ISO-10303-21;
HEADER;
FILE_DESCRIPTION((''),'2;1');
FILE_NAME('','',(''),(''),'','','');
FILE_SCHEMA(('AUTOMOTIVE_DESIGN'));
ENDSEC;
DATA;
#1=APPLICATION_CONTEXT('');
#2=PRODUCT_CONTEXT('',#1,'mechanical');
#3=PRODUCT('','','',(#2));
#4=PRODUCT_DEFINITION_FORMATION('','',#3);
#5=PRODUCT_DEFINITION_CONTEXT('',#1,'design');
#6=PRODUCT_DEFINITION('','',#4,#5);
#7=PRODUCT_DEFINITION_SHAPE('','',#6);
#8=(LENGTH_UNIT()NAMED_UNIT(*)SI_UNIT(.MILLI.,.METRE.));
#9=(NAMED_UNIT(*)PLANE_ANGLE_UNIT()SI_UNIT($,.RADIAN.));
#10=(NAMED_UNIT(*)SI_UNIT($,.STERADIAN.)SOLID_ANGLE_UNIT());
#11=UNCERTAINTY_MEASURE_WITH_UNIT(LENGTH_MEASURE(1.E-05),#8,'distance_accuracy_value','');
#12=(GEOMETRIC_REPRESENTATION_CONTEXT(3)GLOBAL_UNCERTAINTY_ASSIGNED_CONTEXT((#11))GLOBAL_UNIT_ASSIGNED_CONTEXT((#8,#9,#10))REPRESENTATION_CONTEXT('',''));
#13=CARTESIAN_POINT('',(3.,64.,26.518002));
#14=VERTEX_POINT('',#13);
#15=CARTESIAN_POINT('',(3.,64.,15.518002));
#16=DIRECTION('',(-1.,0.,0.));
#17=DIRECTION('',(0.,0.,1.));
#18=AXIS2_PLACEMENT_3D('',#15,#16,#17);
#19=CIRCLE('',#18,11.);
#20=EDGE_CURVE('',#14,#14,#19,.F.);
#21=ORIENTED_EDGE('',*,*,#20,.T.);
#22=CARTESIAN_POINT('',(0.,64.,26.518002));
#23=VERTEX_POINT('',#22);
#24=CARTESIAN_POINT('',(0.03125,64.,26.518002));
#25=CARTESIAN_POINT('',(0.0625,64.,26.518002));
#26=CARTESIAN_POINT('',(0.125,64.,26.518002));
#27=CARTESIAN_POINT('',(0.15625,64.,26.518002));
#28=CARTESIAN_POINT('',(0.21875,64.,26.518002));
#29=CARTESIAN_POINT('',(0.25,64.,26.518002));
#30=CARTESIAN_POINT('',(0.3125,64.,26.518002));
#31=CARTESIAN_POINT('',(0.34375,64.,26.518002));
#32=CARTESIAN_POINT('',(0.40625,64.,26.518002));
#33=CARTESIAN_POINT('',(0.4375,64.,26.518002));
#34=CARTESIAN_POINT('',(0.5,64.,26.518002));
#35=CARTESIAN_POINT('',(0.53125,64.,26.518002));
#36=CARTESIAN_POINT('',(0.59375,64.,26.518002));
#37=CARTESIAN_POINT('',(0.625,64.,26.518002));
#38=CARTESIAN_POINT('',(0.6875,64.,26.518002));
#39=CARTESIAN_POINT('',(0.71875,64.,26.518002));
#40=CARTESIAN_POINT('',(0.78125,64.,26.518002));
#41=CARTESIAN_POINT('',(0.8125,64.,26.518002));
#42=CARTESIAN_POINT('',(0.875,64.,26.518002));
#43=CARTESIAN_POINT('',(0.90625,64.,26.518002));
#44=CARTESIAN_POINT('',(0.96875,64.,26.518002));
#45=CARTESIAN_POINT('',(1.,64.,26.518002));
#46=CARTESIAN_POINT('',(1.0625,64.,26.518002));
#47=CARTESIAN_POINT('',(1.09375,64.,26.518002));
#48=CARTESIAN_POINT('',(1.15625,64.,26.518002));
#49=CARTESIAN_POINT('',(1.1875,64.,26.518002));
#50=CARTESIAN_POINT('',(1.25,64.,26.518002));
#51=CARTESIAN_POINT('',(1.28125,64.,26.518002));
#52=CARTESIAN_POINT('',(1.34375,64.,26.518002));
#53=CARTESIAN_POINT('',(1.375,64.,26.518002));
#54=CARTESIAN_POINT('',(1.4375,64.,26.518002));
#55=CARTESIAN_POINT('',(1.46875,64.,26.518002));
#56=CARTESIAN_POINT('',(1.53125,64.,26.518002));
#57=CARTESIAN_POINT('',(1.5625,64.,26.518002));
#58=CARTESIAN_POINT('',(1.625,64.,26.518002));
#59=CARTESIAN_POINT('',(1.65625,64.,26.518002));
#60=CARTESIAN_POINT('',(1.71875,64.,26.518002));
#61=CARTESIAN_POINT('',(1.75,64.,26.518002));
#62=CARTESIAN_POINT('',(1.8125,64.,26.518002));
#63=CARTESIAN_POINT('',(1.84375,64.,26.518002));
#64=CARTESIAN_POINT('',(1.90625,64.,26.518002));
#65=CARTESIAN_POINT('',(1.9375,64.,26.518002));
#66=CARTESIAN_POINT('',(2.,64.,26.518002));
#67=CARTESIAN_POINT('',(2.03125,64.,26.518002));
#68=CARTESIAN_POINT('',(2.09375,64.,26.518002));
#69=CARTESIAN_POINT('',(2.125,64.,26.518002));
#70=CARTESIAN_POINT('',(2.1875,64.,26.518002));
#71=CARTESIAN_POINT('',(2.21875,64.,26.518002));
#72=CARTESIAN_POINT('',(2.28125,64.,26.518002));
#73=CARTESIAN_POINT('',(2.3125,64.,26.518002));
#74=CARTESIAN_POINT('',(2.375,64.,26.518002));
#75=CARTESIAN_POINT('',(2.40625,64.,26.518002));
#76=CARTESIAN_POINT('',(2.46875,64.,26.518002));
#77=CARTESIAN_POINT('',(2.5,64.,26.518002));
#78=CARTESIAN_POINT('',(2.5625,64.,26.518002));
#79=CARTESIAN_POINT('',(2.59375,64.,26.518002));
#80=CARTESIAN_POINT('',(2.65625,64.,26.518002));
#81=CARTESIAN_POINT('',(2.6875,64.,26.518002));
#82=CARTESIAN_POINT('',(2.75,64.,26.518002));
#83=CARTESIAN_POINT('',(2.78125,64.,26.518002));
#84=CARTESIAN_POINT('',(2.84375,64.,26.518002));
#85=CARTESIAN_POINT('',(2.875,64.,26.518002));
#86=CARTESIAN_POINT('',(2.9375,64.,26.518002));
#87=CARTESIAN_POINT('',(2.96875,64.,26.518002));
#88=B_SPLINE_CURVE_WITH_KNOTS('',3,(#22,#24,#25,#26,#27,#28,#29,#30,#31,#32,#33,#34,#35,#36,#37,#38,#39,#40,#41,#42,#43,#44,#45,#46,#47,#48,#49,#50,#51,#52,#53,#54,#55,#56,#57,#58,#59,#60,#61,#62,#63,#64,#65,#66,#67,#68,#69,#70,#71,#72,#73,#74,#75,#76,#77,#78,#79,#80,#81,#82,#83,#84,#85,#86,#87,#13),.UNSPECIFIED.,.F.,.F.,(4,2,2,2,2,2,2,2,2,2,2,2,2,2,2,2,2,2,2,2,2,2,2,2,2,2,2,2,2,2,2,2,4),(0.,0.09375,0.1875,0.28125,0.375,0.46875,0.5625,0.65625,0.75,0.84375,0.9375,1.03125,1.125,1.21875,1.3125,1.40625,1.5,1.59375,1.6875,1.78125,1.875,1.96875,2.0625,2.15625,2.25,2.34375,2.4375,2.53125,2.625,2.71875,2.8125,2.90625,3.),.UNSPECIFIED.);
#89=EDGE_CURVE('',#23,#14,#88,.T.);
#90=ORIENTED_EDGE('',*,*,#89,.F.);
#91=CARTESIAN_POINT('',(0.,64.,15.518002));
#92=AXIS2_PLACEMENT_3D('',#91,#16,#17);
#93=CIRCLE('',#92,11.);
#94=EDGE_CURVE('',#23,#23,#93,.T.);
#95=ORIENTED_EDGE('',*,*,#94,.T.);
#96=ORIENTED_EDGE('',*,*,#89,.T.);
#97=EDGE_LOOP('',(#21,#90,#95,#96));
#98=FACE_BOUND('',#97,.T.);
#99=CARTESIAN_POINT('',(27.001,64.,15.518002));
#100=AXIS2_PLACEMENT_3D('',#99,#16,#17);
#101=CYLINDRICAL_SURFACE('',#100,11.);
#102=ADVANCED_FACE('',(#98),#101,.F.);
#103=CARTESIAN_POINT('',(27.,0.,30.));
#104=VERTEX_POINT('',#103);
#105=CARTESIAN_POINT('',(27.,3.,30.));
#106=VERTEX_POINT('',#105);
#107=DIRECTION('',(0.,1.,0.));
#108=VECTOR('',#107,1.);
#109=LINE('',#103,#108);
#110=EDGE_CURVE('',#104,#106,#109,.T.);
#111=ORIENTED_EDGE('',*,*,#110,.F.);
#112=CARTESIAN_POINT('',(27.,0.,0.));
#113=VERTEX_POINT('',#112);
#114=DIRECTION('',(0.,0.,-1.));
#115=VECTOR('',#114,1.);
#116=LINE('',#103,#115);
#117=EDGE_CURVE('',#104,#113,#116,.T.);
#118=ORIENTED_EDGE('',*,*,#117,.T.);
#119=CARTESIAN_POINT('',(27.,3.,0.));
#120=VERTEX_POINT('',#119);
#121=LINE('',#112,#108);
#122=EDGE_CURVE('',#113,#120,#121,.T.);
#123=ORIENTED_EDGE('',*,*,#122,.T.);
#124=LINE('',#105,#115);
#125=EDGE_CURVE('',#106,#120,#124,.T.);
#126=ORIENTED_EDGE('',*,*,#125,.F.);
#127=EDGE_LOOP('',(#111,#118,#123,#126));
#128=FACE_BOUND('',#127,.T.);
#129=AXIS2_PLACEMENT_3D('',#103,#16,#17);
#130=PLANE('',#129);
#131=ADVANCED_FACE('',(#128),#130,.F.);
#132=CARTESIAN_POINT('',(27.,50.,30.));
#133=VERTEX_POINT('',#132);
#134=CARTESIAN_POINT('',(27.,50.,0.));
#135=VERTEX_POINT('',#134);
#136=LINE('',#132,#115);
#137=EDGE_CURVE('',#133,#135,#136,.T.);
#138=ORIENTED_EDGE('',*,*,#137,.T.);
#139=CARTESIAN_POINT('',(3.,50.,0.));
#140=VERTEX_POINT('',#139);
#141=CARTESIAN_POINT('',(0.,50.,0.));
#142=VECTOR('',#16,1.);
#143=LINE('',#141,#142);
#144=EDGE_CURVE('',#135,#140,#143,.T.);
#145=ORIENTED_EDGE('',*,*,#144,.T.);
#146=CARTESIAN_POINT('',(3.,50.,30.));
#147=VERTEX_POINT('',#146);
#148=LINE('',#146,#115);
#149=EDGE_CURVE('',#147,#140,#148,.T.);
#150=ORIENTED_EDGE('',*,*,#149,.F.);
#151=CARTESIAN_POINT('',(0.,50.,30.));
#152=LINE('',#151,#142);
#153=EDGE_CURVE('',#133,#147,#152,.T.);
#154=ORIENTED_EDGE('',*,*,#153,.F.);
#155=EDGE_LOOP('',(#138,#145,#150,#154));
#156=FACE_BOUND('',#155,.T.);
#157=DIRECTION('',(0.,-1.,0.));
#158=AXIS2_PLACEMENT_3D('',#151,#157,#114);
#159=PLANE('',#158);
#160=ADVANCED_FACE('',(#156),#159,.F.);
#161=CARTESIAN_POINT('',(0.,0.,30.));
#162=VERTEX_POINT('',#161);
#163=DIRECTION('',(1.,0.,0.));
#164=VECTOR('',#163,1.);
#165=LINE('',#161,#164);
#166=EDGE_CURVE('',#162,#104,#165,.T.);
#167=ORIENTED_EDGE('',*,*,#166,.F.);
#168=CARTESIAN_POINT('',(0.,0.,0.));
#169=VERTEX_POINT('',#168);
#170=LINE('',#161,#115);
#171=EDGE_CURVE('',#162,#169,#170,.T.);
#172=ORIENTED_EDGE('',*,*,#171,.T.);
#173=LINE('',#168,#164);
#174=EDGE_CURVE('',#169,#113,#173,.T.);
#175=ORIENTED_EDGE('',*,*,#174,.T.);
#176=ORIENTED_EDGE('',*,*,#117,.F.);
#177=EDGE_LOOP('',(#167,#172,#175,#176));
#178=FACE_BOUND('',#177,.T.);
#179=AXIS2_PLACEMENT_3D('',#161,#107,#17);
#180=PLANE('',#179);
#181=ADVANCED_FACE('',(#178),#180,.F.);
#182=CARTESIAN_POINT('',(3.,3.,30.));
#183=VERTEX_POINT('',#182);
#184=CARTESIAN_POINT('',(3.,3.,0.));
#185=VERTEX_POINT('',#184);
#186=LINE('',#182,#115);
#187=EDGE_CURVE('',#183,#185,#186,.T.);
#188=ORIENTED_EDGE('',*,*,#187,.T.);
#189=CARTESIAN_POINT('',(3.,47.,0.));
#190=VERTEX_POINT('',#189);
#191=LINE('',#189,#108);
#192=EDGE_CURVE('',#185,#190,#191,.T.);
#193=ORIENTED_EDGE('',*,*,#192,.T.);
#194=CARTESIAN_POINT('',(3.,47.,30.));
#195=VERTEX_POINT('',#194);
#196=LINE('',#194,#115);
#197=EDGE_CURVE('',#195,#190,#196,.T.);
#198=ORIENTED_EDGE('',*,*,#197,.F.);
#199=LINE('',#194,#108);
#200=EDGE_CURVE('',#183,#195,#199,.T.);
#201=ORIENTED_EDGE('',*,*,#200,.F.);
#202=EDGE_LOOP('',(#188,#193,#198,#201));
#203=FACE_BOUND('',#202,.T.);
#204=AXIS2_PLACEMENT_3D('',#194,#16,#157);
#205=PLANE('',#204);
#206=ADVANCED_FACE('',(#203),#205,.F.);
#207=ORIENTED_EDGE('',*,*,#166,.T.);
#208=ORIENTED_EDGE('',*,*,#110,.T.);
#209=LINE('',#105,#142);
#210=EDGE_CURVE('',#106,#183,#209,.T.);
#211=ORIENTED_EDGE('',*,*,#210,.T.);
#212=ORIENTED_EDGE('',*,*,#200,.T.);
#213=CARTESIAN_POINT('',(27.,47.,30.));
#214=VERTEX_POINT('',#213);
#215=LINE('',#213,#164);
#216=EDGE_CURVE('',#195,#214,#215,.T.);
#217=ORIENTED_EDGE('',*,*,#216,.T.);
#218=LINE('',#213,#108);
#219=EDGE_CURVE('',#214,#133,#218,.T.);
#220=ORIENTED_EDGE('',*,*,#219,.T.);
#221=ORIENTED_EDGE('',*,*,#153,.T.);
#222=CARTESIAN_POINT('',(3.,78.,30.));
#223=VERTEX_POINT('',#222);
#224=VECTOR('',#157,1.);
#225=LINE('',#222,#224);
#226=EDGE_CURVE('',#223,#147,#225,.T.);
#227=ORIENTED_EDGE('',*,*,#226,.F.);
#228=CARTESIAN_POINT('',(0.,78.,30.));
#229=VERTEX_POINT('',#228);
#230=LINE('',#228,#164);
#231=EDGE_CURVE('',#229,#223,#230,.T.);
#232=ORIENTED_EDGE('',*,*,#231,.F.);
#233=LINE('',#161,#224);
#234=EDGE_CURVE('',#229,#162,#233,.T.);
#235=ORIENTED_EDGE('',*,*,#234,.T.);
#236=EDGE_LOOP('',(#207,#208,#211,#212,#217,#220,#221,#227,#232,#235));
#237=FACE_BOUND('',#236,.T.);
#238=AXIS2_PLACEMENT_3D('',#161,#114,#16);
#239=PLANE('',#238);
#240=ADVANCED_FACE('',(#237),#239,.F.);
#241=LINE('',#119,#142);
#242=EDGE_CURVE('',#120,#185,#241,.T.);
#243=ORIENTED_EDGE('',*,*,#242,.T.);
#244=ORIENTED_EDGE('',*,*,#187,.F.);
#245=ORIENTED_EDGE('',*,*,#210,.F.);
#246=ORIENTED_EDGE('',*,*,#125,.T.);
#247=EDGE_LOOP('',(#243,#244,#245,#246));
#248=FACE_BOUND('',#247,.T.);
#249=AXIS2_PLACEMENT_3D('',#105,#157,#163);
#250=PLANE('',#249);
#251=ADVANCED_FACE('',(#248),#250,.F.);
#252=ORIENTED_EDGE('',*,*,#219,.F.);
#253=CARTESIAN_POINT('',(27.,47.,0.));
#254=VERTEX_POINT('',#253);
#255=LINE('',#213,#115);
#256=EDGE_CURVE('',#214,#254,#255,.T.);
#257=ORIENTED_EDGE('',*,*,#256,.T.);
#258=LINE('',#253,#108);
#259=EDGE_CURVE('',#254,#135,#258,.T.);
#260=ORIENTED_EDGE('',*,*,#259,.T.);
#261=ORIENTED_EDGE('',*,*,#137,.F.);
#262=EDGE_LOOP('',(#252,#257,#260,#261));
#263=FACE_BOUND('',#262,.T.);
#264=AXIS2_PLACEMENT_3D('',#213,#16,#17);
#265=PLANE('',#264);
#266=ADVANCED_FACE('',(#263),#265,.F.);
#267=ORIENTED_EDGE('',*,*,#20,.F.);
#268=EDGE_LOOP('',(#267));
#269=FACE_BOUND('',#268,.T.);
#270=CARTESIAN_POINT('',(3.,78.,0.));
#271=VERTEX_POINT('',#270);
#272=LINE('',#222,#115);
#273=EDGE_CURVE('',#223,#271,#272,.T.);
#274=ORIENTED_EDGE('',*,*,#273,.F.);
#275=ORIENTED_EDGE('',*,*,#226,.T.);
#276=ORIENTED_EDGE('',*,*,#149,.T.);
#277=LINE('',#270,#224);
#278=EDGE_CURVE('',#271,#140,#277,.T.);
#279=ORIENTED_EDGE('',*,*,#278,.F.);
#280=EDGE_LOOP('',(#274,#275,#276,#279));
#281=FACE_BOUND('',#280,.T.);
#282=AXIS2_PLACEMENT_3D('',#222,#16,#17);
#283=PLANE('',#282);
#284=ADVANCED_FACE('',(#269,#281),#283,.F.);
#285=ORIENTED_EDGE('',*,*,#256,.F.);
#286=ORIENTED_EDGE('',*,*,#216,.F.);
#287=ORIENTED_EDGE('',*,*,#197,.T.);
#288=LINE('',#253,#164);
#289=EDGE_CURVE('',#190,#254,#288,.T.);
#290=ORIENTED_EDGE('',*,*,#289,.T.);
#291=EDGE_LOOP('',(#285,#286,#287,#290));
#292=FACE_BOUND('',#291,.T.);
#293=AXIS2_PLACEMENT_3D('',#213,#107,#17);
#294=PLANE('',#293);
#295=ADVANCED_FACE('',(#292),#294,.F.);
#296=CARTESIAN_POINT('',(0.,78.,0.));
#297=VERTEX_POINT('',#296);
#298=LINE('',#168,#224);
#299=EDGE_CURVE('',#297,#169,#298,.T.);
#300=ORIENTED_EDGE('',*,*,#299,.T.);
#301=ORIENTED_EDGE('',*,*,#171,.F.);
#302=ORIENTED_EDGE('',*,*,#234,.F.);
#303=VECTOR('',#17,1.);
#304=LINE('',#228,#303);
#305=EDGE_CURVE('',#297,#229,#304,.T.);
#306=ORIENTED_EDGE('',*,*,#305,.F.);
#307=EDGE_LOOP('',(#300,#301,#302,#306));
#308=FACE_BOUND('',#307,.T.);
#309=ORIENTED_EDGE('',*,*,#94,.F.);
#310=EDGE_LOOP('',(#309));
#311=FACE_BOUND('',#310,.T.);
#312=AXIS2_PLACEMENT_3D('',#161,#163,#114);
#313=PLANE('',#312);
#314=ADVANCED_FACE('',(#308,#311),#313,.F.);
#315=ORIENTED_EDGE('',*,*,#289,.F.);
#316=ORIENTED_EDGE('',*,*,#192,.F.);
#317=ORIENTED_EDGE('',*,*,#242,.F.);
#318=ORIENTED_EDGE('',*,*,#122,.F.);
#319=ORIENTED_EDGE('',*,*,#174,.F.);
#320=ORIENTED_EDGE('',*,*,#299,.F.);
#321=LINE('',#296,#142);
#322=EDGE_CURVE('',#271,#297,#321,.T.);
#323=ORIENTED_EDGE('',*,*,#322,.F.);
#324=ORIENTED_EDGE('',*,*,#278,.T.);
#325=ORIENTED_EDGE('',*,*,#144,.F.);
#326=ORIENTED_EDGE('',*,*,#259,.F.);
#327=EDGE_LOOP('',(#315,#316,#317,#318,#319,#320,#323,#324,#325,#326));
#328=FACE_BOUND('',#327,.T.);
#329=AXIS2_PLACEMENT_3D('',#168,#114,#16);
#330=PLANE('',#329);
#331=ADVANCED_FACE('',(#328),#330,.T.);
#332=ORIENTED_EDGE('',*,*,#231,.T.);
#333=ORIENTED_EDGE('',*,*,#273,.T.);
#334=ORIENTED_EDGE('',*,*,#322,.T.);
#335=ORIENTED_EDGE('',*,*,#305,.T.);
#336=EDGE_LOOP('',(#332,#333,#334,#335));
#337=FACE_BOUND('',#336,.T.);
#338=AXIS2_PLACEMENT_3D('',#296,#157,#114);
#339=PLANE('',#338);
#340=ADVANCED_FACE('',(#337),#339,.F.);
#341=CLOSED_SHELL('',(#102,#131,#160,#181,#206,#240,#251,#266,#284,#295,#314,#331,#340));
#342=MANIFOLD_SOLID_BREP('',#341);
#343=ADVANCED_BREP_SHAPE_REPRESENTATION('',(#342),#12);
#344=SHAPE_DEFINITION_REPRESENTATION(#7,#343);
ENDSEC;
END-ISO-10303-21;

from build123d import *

# Parameters (mm, degrees)
EXTRUDE_1_DEPTH     = 30
SKETCH_2_W          = 3
SKETCH_2_H          = 30
EXTRUDE_2_DEPTH     = 28
CUT_EXTRUDE_1_REACH = 89.824
SKETCH_3_R          = 11


with BuildPart() as part:
    # 草图1 → 凸台-拉伸1 (new body)
    with BuildSketch(Plane.XY):
        Polygon((27, 47), (27, 50), (0, 50), (0, 0), (27, 0), (27, 3), (3, 3), (3, 47), align=None)
    extrude(amount=EXTRUDE_1_DEPTH)

    # 草图2 → 凸台-拉伸2 (add)
    with BuildSketch(Plane(origin=(0, 50, 0), x_dir=(1, 0, 0), z_dir=(0, 1, 0))):
        with Locations((1.5, -15)):
            Rectangle(SKETCH_2_W, SKETCH_2_H)
    extrude(amount=EXTRUDE_2_DEPTH)

    # 草图3 → 切除-拉伸1 (cut, up to next)
    with BuildSketch(Plane.ZY, mode=Mode.PRIVATE) as cut_extrude_1_sk1:
        with Locations((15.518002159, 64)):
            Circle(SKETCH_3_R)
    cut_extrude_1_tool1 = extrude(cut_extrude_1_sk1.sketch, amount=-CUT_EXTRUDE_1_REACH, mode=Mode.PRIVATE) & part.part
    add(cut_extrude_1_tool1.solids().sort_by_distance((0, 64, 15.518002))[0], mode=Mode.SUBTRACT)


solid = part.part
